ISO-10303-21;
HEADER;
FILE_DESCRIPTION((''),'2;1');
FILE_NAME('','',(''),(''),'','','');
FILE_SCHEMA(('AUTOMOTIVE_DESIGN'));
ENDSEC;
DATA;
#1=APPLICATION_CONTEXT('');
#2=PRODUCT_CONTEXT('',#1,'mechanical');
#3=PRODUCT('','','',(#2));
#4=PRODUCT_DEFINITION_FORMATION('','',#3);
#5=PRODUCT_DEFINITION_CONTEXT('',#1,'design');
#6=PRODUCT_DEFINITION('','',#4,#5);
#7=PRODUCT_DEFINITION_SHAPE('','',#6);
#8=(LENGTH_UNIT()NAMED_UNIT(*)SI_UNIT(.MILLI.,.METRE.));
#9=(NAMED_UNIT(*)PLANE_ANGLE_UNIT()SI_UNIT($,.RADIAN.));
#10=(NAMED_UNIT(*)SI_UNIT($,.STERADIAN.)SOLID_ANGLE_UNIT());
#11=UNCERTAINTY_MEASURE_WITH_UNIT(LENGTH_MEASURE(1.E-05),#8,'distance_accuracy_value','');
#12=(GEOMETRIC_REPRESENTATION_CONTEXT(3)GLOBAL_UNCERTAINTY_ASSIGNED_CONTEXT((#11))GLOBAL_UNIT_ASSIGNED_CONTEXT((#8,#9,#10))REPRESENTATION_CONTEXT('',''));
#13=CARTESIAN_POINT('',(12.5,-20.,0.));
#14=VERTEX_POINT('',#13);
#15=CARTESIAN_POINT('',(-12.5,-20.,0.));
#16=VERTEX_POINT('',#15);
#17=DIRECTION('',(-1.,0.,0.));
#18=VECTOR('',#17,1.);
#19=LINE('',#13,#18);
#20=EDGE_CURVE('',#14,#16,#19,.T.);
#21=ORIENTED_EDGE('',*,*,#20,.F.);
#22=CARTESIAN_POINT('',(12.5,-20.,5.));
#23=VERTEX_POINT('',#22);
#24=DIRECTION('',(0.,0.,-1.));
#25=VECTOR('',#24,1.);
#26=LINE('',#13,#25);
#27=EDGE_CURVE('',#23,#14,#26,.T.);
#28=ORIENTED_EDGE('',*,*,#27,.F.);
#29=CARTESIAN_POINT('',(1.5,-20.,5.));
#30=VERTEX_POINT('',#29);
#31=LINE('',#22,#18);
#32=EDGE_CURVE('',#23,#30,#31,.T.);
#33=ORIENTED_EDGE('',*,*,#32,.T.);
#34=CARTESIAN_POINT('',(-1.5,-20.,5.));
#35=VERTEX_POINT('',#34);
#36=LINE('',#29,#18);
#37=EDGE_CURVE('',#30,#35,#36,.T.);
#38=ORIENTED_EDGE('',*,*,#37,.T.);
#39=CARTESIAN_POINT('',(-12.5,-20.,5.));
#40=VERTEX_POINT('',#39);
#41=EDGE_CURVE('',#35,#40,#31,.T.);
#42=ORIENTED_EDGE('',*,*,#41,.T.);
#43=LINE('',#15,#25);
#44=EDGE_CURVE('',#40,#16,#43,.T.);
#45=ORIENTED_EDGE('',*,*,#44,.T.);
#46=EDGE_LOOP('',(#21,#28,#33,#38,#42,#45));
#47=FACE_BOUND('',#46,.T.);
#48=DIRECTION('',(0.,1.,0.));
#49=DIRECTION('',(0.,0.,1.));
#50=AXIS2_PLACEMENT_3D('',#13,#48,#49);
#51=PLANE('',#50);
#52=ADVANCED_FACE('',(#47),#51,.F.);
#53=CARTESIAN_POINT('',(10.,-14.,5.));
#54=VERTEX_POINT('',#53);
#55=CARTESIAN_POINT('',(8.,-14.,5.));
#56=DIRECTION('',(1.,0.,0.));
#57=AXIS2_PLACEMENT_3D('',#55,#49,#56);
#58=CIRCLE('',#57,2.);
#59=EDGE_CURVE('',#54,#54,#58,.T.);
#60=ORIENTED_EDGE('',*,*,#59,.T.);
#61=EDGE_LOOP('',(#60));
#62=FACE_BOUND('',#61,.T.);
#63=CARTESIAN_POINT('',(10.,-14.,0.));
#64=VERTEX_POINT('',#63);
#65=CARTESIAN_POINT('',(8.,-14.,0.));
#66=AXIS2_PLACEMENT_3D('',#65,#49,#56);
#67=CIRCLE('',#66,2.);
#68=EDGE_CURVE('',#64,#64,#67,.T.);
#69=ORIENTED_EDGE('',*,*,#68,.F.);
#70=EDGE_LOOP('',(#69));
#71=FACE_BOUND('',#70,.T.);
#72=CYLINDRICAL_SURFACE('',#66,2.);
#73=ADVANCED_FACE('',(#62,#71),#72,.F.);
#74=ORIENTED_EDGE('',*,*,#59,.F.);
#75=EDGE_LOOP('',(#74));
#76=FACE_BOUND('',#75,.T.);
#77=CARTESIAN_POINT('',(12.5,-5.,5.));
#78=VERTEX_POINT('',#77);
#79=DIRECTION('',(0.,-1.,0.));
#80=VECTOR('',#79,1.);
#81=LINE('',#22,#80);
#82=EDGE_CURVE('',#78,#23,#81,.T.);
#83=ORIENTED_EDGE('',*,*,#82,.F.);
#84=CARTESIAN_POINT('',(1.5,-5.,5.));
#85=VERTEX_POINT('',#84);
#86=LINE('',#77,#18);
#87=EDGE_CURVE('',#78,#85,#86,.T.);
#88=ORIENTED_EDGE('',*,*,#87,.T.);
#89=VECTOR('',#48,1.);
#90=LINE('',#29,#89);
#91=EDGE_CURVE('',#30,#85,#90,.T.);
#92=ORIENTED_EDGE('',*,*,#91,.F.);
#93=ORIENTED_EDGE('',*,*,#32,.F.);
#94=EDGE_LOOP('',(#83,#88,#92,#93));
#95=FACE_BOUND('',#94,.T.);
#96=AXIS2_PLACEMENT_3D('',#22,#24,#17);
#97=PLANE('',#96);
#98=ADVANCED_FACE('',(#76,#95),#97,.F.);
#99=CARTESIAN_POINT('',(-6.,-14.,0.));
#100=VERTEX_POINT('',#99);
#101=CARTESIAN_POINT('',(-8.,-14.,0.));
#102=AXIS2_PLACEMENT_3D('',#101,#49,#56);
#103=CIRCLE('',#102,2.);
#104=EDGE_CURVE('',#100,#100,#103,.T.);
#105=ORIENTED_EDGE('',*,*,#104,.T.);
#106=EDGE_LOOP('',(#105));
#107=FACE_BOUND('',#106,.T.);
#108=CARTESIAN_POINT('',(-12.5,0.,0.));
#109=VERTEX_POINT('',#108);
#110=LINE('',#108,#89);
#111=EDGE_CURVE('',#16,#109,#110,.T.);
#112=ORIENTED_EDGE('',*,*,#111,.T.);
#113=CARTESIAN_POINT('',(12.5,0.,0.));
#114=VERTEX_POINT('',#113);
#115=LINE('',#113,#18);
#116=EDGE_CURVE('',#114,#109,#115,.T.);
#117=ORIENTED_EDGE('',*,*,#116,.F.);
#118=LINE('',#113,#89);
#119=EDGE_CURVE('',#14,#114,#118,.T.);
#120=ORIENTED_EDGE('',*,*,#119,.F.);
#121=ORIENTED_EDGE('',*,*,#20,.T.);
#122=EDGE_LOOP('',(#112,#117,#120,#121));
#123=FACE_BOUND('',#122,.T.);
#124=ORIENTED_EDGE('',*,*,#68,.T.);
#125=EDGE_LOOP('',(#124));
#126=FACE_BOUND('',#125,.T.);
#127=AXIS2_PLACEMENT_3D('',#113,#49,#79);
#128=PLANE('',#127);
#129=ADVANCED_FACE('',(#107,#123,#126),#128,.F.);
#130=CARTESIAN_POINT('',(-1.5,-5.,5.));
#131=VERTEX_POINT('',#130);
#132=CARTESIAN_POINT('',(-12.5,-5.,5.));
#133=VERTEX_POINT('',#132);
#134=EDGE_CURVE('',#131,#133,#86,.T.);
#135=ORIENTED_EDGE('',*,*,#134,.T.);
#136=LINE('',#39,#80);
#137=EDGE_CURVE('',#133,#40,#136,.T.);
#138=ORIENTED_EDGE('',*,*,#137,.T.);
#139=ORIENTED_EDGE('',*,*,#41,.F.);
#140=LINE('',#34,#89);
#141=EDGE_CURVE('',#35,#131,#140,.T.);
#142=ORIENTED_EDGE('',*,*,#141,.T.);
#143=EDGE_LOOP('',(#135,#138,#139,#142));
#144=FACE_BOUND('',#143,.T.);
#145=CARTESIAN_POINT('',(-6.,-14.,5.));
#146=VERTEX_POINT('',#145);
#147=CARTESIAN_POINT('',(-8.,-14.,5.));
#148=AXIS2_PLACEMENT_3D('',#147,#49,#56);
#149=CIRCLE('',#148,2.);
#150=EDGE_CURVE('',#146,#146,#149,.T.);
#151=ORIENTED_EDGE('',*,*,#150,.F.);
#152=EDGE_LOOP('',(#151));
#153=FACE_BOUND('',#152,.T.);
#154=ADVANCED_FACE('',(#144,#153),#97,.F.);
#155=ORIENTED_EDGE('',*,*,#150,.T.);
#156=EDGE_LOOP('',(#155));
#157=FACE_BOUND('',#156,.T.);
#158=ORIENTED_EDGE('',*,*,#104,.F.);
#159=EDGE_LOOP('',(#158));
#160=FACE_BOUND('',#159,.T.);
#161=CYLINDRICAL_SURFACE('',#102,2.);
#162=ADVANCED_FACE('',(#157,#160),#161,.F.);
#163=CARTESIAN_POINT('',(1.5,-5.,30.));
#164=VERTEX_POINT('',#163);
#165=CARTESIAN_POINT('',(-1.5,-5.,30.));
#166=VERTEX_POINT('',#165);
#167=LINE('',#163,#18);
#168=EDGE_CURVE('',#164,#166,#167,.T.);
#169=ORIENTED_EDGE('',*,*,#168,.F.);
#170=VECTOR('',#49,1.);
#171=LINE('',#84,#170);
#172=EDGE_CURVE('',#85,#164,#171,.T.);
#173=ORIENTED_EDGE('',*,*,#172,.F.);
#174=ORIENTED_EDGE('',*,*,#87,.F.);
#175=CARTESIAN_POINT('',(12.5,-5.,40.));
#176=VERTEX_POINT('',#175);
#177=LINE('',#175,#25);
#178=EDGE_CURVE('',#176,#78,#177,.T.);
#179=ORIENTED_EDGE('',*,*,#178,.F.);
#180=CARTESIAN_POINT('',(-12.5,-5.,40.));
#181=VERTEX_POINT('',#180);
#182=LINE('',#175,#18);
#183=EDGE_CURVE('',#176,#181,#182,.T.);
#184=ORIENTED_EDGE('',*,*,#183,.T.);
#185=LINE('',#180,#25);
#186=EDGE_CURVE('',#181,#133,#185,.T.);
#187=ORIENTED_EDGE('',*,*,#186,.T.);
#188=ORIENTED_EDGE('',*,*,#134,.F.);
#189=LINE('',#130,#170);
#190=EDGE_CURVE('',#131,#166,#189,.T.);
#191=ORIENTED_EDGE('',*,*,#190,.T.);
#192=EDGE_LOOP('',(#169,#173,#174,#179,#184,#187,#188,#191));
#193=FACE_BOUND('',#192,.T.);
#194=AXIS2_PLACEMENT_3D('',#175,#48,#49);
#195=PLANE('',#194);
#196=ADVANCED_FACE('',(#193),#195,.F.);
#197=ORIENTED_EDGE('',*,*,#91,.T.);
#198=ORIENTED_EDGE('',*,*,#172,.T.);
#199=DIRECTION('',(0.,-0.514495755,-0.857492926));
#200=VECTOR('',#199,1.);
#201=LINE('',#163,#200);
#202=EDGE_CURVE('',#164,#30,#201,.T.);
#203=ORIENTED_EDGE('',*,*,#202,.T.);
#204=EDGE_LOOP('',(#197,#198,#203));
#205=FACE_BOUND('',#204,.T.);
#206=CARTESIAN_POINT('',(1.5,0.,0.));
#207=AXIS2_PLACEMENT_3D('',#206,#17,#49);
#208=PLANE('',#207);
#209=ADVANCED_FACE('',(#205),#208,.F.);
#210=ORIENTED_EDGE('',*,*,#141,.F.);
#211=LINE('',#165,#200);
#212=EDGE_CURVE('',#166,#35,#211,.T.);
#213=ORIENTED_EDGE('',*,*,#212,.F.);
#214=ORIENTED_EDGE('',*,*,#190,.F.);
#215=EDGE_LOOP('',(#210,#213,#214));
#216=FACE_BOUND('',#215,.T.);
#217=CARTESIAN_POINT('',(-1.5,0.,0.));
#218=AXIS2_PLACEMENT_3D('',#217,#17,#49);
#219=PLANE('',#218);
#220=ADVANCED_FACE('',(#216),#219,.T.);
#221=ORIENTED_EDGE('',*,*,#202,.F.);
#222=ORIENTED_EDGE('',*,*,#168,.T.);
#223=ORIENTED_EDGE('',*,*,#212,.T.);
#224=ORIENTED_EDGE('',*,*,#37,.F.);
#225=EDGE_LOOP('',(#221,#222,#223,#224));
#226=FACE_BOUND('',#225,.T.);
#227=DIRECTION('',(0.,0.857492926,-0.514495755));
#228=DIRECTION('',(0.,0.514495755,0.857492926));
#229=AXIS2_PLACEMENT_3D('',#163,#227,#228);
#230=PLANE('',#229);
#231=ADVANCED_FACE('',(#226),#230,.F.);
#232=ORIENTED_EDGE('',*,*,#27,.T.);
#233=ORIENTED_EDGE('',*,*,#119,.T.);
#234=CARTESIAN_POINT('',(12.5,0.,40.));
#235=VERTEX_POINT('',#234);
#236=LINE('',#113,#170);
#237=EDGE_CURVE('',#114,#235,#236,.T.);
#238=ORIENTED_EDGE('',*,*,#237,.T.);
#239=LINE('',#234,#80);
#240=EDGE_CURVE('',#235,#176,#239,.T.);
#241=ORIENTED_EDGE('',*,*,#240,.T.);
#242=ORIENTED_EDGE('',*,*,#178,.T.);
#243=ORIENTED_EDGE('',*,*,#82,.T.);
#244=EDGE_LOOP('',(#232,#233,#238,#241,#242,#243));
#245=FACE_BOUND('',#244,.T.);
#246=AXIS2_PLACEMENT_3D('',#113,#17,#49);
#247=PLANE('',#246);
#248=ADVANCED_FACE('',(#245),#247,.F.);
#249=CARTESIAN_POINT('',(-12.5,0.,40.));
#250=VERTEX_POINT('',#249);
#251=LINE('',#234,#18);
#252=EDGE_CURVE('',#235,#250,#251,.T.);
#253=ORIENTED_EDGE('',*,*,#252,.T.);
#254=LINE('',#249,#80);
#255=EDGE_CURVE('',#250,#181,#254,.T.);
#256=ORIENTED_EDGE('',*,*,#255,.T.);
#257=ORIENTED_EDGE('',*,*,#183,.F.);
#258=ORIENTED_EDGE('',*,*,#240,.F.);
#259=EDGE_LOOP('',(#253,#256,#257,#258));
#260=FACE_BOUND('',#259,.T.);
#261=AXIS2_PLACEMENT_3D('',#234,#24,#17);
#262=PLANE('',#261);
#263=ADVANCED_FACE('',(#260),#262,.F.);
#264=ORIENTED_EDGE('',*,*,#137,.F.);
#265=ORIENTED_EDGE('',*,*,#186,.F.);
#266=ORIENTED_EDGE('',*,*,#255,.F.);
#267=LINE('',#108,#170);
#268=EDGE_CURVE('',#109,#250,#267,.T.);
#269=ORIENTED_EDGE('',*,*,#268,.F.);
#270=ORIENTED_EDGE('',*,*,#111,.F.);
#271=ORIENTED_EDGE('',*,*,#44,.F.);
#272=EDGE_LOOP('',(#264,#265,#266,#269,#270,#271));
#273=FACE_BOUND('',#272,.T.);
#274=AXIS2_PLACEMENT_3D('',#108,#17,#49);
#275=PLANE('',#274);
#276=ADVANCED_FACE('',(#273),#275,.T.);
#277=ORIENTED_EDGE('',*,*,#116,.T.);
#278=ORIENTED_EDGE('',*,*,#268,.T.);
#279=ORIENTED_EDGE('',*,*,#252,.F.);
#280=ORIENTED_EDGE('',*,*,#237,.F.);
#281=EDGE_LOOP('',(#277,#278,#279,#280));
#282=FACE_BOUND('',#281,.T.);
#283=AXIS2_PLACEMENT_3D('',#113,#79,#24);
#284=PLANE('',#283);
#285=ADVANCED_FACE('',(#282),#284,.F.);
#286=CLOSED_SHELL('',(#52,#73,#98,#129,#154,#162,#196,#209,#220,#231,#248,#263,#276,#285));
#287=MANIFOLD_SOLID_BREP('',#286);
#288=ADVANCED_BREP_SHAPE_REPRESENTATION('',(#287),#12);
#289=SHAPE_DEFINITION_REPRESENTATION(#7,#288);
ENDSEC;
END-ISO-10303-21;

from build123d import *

# Parameters (mm, degrees)
BOSS_EXTRUDE1_DEPTH = 12.5
BOSS_EXTRUDE2_DEPTH = 1.5
SKETCH3_R           = 2
CUT_EXTRUDE1_DEPTH  = 43.20485754


with BuildPart() as part:
    # Sketch1 → Boss-Extrude1 (new, symmetric)
    with BuildSketch(Plane(origin=(0, 0, 0), x_dir=(0, 0, -1), z_dir=(1, 0, 0))):
        Polygon((0, 0), (-40, 0), (-40, -5), (-5, -5), (-5, -20), (0, -20), align=None)
    extrude(amount=BOSS_EXTRUDE1_DEPTH, both=True)

    # Sketch2 → Boss-Extrude2 (add, symmetric)
    with BuildSketch(Plane(origin=(0, 0, 0), x_dir=(0, 0, -1), z_dir=(1, 0, 0))):
        Polygon((-30, -5), (-5, -20), (-5, -5), align=None)
    extrude(amount=BOSS_EXTRUDE2_DEPTH, both=True)

    # Sketch3 → Cut-Extrude1 (cut, through all)
    with BuildSketch(Plane.XY.offset(5)):
        with Locations((8, -14)):
            Circle(SKETCH3_R)
        with Locations((-8, -14)):
            Circle(SKETCH3_R)
    extrude(amount=-CUT_EXTRUDE1_DEPTH, mode=Mode.SUBTRACT)


solid = part.part
